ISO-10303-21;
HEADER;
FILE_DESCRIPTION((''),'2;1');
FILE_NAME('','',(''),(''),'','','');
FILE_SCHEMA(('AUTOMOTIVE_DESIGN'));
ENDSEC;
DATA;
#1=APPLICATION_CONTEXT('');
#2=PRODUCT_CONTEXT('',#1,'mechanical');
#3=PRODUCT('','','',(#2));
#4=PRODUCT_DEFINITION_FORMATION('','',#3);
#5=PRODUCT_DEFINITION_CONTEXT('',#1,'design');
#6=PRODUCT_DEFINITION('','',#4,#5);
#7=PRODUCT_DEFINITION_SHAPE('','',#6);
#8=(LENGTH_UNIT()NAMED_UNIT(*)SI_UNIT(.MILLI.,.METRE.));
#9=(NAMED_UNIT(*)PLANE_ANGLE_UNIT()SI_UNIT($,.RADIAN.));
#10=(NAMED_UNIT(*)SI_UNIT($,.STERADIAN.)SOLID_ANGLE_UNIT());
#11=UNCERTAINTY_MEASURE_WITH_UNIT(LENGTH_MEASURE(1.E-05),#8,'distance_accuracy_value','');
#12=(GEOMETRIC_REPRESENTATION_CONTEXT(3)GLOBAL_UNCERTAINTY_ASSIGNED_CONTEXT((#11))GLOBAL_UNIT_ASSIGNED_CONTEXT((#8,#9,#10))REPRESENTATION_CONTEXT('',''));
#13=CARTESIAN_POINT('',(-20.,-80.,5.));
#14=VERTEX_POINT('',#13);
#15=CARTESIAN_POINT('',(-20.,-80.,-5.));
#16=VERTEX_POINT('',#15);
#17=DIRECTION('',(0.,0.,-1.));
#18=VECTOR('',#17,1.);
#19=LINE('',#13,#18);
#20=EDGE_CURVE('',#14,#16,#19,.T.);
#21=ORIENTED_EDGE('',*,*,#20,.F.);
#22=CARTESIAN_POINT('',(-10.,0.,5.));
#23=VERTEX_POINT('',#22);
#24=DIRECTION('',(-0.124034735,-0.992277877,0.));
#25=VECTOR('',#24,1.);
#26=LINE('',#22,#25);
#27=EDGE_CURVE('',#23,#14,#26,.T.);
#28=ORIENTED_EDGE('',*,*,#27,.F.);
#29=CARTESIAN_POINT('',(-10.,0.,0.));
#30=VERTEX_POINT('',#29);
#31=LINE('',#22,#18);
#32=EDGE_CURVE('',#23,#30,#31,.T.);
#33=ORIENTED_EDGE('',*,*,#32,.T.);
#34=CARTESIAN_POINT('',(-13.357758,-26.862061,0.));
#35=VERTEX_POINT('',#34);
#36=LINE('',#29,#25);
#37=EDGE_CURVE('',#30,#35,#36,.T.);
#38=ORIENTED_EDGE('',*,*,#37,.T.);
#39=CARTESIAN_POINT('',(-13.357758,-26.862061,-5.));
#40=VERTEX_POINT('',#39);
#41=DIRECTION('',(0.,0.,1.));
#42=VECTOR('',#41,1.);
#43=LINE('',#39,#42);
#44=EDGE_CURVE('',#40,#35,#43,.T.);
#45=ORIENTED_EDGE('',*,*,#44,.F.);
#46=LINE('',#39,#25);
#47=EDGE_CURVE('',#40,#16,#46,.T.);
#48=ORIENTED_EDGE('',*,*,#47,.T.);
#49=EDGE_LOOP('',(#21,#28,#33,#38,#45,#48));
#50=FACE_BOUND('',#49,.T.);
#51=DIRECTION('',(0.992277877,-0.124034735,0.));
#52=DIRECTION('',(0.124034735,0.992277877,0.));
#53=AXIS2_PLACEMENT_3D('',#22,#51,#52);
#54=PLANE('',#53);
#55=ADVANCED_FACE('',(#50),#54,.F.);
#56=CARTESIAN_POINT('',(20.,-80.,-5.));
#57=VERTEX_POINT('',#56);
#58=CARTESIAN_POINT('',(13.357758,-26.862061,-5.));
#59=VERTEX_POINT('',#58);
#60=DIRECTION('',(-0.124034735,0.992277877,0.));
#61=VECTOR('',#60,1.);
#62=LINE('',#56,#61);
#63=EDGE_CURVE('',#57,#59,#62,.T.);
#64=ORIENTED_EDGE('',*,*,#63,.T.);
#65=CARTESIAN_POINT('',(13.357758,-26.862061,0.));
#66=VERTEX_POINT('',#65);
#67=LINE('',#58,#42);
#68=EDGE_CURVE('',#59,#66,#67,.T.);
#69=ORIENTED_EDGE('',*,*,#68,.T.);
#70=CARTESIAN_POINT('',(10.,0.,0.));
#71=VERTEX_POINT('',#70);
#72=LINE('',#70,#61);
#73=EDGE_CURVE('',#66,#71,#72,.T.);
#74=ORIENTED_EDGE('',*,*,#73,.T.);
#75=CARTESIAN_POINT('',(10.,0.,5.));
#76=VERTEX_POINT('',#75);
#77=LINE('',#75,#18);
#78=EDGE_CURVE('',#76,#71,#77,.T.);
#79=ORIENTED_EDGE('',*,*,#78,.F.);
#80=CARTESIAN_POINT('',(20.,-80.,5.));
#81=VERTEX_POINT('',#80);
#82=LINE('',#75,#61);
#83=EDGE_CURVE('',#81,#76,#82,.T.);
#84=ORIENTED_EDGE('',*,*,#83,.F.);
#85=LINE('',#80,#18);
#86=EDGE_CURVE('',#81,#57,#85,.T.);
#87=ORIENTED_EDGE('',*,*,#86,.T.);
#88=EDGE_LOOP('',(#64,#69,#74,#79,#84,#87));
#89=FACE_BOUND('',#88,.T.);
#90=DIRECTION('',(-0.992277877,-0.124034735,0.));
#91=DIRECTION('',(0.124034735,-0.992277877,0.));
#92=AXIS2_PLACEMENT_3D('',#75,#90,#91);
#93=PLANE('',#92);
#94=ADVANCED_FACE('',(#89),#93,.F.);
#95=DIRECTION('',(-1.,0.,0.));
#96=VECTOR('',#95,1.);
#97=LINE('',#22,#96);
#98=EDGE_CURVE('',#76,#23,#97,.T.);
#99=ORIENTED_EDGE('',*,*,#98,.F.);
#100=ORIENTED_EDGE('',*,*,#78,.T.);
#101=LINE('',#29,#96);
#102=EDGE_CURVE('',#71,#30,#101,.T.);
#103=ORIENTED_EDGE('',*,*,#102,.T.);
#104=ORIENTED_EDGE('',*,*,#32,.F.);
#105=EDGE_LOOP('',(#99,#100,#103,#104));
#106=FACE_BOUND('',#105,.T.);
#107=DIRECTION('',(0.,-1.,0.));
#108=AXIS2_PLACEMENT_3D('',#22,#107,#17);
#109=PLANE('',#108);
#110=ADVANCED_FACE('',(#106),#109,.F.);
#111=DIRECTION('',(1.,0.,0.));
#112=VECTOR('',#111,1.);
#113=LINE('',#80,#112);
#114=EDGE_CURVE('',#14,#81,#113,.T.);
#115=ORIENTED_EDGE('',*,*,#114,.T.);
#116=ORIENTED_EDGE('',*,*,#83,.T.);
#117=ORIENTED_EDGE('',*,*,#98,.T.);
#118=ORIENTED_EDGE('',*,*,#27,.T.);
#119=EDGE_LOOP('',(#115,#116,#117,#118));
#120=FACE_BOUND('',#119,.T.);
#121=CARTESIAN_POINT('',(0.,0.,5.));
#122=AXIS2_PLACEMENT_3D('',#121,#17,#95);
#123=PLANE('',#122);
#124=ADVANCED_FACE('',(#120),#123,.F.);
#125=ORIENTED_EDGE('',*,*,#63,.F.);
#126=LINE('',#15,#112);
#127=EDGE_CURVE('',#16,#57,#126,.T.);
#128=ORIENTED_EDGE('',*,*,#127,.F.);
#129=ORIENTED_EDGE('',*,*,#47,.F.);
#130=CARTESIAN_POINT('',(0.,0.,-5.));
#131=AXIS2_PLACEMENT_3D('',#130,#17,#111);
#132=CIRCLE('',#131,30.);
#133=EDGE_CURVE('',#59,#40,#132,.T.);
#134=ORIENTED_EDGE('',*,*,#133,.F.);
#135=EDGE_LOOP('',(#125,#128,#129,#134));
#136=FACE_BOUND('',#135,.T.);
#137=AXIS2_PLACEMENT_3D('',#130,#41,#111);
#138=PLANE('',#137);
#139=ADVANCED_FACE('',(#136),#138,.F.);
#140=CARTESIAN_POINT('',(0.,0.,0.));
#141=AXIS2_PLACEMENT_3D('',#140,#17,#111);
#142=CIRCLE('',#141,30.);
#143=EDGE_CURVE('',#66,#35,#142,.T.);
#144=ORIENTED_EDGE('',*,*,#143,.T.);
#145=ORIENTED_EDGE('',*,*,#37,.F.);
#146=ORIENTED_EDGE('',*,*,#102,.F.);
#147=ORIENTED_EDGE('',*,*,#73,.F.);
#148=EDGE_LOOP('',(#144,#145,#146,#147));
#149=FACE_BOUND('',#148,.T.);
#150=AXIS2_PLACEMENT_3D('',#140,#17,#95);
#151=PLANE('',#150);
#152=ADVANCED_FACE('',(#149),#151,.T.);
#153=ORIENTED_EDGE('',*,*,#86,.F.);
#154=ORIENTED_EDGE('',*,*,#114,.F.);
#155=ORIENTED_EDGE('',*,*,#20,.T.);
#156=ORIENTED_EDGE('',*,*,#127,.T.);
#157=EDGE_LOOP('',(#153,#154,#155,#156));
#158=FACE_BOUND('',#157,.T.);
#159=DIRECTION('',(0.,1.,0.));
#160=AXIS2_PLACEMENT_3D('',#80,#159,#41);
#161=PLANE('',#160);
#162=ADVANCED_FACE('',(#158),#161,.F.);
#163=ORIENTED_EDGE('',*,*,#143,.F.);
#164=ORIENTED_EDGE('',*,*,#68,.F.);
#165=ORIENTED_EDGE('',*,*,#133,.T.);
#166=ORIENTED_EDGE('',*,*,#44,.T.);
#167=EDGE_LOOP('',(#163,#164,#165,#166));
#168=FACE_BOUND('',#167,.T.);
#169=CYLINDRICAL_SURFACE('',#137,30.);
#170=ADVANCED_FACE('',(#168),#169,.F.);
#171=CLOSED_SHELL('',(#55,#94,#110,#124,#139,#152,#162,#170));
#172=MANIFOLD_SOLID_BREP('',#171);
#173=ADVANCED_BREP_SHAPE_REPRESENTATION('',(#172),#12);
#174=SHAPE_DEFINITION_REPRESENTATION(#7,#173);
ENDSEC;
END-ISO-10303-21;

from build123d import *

# Parameters (mm, degrees)
BOSS_EXTRUDE1_DEPTH = 5
BOSS_EXTRUDE2_DEPTH = 5


with BuildPart() as part:
    # Sketch1 → Boss-Extrude1 (new body)
    with BuildSketch(Plane.XY):
        Polygon((-10, 0), (10, 0), (20, -80), (-20, -80), align=None)
    extrude(amount=BOSS_EXTRUDE1_DEPTH)

    # Sketch2 → Boss-Extrude2 (add)
    with BuildSketch(Plane.XY):
        with BuildLine():
            Line((20, -80), (13.357757603, -26.862060826))
            ThreePointArc((13.357757603, -26.862060826), (0, -30), (-13.357757603, -26.862060826))
            Line((-13.357757603, -26.862060826), (-20, -80))
            Line((-20, -80), (20, -80))
        make_face()
    extrude(amount=-BOSS_EXTRUDE2_DEPTH)


solid = part.part
